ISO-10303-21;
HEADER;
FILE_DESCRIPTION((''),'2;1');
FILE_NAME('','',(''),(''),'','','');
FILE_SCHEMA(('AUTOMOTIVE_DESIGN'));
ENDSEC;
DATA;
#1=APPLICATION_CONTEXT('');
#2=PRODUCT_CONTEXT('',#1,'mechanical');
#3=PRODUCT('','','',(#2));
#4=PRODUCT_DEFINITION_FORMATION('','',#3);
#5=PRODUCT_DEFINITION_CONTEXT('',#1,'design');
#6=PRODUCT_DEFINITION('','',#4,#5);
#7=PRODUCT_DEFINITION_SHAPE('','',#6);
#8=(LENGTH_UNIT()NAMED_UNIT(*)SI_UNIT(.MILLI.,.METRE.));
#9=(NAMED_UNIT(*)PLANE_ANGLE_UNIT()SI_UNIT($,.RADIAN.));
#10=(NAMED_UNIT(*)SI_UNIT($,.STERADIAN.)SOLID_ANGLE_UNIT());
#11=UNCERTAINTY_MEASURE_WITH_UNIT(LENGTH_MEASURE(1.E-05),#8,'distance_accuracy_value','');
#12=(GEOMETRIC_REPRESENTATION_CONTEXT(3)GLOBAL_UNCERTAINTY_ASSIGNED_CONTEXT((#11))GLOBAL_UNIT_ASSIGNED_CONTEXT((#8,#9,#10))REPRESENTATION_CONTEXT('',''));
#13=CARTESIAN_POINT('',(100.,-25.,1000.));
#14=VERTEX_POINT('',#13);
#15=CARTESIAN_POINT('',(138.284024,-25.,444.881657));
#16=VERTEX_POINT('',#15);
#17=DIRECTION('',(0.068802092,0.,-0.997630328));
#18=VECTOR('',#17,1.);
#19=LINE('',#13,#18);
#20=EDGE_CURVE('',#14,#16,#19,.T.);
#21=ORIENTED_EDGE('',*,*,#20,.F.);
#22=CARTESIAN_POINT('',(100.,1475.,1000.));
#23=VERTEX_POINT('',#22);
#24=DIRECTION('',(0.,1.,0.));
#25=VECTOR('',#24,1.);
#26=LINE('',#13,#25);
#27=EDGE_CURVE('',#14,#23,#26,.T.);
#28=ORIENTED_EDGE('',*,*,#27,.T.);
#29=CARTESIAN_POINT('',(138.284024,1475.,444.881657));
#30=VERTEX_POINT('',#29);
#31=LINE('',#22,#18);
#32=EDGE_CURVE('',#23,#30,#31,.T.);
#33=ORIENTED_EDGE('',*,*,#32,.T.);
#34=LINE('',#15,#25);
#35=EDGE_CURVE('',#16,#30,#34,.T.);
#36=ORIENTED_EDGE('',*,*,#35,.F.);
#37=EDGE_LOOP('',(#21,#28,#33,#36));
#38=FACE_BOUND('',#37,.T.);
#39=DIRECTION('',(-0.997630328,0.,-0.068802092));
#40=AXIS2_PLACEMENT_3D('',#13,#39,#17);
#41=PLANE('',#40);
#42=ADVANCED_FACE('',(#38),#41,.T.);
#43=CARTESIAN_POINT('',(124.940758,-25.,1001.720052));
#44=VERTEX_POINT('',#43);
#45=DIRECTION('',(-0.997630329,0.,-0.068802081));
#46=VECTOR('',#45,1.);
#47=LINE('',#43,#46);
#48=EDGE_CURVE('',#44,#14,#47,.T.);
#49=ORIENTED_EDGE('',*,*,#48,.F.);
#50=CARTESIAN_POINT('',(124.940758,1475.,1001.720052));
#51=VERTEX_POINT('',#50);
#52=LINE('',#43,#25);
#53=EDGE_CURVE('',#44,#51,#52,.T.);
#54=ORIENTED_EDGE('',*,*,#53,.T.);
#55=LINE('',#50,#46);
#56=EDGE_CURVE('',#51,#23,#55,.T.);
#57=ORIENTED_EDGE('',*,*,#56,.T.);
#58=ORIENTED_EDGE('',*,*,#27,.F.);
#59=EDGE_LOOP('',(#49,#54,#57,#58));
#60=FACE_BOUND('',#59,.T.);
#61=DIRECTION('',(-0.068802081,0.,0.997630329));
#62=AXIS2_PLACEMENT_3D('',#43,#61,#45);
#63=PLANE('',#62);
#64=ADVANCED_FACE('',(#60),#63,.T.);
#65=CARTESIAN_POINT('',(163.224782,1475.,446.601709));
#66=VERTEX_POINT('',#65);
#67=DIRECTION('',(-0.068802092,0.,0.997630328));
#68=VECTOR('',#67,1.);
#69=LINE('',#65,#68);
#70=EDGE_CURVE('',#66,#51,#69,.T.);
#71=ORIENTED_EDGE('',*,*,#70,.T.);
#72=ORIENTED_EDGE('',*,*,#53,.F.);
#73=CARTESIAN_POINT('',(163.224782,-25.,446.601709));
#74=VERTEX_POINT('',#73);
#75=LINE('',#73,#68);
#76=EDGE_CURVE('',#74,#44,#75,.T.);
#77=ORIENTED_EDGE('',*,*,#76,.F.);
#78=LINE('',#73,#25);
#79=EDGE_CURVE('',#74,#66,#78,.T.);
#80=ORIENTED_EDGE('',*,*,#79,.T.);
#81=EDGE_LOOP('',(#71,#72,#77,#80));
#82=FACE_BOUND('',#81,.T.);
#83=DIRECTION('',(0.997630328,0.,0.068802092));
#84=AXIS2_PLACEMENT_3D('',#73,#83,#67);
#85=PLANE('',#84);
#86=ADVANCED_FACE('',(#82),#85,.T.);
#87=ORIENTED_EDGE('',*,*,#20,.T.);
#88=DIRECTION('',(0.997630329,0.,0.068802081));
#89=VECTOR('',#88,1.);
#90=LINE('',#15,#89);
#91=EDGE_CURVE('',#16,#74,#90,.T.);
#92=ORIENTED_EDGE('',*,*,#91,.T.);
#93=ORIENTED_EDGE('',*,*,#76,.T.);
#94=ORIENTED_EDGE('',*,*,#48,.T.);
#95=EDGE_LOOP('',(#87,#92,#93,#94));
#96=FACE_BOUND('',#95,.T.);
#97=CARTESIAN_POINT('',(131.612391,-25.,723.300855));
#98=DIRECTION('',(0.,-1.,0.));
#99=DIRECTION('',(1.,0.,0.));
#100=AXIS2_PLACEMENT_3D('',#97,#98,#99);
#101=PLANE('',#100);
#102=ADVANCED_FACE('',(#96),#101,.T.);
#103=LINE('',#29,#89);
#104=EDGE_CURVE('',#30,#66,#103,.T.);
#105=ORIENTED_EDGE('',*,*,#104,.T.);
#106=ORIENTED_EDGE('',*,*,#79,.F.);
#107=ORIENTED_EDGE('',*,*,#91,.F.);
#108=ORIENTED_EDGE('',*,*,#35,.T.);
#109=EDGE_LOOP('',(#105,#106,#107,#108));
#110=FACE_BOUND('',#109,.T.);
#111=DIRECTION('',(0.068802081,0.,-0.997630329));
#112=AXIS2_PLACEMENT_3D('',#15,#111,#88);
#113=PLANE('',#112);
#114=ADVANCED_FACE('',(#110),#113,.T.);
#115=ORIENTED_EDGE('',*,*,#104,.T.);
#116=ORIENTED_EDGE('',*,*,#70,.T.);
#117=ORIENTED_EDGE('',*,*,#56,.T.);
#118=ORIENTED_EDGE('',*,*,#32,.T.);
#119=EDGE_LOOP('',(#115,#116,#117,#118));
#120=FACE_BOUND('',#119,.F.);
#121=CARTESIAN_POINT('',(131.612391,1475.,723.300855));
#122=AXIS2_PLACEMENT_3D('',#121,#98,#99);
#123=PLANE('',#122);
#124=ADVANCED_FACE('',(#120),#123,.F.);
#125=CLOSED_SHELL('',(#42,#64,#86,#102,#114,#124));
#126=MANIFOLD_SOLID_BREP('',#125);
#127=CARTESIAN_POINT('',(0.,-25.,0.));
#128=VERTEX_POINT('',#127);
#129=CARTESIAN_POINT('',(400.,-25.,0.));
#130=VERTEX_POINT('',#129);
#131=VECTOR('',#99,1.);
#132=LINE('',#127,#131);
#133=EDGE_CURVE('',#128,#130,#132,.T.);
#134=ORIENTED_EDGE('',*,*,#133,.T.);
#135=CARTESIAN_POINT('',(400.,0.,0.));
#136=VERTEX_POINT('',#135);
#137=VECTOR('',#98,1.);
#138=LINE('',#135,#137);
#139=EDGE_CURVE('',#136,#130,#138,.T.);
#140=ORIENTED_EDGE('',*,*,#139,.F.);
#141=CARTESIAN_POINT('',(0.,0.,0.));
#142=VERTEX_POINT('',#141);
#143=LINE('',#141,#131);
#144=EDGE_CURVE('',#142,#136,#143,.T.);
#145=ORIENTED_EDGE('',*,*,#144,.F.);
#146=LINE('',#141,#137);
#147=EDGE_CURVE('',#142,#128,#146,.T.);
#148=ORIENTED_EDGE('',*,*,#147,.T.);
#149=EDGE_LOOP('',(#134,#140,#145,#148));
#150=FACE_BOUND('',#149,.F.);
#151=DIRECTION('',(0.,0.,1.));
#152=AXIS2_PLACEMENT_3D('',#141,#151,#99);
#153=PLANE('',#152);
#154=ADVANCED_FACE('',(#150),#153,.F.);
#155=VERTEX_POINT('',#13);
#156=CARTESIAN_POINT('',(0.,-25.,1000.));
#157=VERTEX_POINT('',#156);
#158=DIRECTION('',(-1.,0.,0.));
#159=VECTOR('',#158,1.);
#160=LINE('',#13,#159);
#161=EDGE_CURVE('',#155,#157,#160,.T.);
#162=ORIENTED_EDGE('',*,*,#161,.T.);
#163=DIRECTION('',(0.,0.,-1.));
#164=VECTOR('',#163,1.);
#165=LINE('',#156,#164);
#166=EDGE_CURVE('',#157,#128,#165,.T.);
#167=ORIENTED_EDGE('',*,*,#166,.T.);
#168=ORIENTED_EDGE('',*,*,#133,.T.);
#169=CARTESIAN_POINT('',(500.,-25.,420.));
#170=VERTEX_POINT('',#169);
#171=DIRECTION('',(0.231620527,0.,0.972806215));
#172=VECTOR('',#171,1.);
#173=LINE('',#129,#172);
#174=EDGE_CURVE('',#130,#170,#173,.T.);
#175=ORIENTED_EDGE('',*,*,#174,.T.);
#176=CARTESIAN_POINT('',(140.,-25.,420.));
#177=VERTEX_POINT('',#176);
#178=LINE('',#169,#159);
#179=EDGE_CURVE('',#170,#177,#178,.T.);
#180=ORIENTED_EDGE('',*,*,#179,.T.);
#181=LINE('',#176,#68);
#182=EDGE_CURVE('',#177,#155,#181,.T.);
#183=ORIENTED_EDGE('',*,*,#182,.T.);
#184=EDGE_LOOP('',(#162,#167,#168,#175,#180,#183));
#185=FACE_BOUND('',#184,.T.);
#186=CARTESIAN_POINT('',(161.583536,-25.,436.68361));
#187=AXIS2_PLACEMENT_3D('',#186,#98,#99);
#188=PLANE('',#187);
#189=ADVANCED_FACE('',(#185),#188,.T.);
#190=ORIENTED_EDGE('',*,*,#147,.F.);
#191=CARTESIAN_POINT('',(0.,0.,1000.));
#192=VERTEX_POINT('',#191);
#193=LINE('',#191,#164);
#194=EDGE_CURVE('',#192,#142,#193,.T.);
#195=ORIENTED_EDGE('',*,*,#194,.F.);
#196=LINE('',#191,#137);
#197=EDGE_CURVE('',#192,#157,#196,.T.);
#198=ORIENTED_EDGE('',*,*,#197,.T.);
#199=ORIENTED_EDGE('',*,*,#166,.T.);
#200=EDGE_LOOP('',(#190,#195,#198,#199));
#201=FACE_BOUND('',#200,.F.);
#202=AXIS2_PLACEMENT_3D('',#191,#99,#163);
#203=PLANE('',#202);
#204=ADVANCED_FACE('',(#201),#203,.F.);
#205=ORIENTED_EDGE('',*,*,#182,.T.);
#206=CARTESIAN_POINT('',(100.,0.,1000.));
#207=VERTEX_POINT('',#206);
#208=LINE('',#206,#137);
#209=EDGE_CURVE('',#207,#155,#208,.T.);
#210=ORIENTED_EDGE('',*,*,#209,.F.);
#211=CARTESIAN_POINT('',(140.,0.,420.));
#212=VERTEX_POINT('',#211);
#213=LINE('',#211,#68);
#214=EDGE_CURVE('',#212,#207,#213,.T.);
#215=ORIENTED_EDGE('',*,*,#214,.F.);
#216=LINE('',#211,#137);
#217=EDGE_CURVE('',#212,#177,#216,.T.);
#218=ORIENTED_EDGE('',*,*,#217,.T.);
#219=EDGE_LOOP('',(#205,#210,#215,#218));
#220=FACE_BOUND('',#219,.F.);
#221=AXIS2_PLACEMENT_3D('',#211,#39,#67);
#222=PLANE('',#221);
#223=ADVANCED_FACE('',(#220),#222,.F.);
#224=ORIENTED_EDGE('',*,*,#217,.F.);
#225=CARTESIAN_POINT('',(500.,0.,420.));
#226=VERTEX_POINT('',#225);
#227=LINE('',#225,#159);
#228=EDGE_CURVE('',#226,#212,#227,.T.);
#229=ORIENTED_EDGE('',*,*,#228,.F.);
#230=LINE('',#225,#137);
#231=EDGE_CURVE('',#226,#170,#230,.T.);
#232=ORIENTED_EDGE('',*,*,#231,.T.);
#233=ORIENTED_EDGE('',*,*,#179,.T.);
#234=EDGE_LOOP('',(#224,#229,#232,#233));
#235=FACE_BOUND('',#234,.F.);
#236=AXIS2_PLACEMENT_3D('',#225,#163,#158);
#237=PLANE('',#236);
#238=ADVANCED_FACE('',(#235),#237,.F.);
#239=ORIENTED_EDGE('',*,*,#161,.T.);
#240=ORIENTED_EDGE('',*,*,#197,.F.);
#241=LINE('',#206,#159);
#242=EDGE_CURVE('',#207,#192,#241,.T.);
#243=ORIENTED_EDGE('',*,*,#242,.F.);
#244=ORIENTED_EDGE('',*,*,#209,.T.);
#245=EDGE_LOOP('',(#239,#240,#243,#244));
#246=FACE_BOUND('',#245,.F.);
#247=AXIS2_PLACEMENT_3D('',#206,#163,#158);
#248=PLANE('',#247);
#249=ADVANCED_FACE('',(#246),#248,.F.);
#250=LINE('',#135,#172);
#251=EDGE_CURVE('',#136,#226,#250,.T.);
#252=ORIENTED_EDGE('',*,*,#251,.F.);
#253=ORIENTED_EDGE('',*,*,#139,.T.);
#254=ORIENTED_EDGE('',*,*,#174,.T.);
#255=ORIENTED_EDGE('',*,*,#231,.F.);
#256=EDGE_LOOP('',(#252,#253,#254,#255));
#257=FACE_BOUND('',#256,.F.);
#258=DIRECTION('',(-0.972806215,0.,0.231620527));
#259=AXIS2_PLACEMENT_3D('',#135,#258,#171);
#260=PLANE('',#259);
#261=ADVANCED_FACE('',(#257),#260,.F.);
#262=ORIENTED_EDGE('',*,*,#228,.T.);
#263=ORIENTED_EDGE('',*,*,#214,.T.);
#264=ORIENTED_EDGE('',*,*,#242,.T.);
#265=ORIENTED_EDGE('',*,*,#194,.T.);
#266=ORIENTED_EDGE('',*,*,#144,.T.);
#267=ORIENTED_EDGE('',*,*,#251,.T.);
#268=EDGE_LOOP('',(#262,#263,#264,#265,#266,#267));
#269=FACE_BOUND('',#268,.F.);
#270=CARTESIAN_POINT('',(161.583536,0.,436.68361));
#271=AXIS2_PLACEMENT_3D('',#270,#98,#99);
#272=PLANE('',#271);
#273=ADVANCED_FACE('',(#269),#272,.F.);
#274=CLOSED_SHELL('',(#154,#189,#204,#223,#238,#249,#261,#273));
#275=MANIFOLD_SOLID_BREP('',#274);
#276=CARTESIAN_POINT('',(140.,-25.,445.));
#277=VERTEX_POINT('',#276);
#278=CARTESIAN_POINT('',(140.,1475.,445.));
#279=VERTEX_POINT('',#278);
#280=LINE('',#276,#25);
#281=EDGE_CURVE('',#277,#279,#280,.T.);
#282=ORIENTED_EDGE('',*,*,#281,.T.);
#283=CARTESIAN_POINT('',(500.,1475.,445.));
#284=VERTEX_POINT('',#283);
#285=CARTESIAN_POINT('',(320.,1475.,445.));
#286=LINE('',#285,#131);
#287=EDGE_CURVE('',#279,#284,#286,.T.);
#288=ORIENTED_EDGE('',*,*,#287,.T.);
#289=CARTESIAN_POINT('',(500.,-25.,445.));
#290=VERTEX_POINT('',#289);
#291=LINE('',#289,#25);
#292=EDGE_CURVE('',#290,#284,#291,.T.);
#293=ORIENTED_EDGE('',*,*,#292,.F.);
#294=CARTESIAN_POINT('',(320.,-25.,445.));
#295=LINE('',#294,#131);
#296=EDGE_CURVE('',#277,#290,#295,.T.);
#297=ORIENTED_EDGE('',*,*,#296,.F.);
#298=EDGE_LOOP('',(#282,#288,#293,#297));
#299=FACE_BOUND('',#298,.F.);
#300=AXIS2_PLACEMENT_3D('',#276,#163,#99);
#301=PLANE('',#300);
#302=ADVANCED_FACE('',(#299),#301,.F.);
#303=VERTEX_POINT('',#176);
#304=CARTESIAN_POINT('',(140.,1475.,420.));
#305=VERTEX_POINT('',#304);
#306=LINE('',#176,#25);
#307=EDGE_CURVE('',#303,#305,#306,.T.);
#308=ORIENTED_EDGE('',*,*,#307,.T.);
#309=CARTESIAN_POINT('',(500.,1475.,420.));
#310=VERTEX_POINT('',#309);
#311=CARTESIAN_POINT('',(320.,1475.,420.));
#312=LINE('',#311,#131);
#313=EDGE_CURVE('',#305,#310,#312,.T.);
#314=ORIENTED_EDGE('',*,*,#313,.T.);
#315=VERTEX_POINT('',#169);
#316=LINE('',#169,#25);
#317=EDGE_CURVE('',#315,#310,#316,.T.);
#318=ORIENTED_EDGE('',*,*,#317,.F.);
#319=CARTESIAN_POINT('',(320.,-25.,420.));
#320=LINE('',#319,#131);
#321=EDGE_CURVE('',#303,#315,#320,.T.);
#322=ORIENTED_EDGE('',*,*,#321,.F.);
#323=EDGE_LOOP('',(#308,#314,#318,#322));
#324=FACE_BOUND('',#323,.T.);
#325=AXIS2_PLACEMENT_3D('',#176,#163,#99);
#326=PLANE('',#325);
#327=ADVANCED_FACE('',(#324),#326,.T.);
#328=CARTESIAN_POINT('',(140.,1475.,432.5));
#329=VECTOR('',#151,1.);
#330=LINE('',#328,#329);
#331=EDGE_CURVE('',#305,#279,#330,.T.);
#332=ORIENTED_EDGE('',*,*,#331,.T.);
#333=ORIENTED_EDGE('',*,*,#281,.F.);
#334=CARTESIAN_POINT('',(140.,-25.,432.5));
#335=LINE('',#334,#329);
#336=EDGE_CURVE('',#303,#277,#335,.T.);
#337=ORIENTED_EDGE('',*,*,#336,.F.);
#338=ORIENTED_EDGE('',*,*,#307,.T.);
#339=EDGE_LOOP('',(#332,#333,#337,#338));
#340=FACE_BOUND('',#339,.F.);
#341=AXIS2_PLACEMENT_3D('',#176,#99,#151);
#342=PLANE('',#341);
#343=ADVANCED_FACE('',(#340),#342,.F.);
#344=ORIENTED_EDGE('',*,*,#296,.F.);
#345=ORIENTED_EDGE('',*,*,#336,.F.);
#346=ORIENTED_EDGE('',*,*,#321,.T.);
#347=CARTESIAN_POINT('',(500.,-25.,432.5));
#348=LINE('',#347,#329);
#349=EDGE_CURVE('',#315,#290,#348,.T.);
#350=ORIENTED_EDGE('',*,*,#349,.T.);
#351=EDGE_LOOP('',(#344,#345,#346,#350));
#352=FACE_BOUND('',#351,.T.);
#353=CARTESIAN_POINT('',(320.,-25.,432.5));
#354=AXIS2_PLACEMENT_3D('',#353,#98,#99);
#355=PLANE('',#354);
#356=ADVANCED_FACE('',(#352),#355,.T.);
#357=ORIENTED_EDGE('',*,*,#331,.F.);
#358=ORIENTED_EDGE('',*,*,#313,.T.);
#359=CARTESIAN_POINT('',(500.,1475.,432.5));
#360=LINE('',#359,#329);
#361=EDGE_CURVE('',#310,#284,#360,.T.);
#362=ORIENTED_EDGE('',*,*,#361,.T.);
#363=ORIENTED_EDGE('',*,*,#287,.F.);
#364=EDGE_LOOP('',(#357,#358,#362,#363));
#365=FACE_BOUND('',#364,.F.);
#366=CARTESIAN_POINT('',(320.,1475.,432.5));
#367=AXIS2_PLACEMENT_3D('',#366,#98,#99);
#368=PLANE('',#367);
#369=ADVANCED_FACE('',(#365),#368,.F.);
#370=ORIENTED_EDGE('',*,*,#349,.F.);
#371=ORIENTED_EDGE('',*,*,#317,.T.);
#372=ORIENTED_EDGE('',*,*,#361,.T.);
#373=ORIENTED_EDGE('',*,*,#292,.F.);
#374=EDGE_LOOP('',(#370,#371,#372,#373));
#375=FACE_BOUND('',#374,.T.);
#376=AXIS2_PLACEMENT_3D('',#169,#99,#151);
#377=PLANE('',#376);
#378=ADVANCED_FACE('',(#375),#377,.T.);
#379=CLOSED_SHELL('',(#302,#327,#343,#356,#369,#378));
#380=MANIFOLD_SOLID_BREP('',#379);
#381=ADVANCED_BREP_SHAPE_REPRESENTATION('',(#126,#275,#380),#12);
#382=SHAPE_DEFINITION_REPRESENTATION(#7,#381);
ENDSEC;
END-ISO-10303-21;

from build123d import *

# Parameters (mm, degrees)
F1_DEPTH = 25
F2_W     = 360
F2_H     = 25
F3_DEPTH = 1500
F5_DEPTH = 1500


with BuildPart() as f1:
    # F0 (on Front) → F1 (new body)
    with BuildSketch(Plane.XZ):
        Polygon((0, 1000), (0, 0), (400, 0), (500, 420), (140, 420), (100, 1000), align=None)
    extrude(amount=F1_DEPTH)


with BuildPart() as f3:
    # F2 (on face) → F3 (new body)
    with BuildSketch(Plane.XZ.offset(25)):
        with Locations((320, 432.5)):
            Rectangle(F2_W, F2_H)
    extrude(amount=-F3_DEPTH)


with BuildPart() as f5:
    # F4 (on face) → F5 (new body)
    with BuildSketch(Plane.XZ.offset(25)):
        Polygon((124.940758, 1001.720052), (100, 1000), (138.284024, 444.881657), (163.224782, 446.601709), align=None)
    extrude(amount=-F5_DEPTH)


solid = Compound([f1.part, f3.part, f5.part])
